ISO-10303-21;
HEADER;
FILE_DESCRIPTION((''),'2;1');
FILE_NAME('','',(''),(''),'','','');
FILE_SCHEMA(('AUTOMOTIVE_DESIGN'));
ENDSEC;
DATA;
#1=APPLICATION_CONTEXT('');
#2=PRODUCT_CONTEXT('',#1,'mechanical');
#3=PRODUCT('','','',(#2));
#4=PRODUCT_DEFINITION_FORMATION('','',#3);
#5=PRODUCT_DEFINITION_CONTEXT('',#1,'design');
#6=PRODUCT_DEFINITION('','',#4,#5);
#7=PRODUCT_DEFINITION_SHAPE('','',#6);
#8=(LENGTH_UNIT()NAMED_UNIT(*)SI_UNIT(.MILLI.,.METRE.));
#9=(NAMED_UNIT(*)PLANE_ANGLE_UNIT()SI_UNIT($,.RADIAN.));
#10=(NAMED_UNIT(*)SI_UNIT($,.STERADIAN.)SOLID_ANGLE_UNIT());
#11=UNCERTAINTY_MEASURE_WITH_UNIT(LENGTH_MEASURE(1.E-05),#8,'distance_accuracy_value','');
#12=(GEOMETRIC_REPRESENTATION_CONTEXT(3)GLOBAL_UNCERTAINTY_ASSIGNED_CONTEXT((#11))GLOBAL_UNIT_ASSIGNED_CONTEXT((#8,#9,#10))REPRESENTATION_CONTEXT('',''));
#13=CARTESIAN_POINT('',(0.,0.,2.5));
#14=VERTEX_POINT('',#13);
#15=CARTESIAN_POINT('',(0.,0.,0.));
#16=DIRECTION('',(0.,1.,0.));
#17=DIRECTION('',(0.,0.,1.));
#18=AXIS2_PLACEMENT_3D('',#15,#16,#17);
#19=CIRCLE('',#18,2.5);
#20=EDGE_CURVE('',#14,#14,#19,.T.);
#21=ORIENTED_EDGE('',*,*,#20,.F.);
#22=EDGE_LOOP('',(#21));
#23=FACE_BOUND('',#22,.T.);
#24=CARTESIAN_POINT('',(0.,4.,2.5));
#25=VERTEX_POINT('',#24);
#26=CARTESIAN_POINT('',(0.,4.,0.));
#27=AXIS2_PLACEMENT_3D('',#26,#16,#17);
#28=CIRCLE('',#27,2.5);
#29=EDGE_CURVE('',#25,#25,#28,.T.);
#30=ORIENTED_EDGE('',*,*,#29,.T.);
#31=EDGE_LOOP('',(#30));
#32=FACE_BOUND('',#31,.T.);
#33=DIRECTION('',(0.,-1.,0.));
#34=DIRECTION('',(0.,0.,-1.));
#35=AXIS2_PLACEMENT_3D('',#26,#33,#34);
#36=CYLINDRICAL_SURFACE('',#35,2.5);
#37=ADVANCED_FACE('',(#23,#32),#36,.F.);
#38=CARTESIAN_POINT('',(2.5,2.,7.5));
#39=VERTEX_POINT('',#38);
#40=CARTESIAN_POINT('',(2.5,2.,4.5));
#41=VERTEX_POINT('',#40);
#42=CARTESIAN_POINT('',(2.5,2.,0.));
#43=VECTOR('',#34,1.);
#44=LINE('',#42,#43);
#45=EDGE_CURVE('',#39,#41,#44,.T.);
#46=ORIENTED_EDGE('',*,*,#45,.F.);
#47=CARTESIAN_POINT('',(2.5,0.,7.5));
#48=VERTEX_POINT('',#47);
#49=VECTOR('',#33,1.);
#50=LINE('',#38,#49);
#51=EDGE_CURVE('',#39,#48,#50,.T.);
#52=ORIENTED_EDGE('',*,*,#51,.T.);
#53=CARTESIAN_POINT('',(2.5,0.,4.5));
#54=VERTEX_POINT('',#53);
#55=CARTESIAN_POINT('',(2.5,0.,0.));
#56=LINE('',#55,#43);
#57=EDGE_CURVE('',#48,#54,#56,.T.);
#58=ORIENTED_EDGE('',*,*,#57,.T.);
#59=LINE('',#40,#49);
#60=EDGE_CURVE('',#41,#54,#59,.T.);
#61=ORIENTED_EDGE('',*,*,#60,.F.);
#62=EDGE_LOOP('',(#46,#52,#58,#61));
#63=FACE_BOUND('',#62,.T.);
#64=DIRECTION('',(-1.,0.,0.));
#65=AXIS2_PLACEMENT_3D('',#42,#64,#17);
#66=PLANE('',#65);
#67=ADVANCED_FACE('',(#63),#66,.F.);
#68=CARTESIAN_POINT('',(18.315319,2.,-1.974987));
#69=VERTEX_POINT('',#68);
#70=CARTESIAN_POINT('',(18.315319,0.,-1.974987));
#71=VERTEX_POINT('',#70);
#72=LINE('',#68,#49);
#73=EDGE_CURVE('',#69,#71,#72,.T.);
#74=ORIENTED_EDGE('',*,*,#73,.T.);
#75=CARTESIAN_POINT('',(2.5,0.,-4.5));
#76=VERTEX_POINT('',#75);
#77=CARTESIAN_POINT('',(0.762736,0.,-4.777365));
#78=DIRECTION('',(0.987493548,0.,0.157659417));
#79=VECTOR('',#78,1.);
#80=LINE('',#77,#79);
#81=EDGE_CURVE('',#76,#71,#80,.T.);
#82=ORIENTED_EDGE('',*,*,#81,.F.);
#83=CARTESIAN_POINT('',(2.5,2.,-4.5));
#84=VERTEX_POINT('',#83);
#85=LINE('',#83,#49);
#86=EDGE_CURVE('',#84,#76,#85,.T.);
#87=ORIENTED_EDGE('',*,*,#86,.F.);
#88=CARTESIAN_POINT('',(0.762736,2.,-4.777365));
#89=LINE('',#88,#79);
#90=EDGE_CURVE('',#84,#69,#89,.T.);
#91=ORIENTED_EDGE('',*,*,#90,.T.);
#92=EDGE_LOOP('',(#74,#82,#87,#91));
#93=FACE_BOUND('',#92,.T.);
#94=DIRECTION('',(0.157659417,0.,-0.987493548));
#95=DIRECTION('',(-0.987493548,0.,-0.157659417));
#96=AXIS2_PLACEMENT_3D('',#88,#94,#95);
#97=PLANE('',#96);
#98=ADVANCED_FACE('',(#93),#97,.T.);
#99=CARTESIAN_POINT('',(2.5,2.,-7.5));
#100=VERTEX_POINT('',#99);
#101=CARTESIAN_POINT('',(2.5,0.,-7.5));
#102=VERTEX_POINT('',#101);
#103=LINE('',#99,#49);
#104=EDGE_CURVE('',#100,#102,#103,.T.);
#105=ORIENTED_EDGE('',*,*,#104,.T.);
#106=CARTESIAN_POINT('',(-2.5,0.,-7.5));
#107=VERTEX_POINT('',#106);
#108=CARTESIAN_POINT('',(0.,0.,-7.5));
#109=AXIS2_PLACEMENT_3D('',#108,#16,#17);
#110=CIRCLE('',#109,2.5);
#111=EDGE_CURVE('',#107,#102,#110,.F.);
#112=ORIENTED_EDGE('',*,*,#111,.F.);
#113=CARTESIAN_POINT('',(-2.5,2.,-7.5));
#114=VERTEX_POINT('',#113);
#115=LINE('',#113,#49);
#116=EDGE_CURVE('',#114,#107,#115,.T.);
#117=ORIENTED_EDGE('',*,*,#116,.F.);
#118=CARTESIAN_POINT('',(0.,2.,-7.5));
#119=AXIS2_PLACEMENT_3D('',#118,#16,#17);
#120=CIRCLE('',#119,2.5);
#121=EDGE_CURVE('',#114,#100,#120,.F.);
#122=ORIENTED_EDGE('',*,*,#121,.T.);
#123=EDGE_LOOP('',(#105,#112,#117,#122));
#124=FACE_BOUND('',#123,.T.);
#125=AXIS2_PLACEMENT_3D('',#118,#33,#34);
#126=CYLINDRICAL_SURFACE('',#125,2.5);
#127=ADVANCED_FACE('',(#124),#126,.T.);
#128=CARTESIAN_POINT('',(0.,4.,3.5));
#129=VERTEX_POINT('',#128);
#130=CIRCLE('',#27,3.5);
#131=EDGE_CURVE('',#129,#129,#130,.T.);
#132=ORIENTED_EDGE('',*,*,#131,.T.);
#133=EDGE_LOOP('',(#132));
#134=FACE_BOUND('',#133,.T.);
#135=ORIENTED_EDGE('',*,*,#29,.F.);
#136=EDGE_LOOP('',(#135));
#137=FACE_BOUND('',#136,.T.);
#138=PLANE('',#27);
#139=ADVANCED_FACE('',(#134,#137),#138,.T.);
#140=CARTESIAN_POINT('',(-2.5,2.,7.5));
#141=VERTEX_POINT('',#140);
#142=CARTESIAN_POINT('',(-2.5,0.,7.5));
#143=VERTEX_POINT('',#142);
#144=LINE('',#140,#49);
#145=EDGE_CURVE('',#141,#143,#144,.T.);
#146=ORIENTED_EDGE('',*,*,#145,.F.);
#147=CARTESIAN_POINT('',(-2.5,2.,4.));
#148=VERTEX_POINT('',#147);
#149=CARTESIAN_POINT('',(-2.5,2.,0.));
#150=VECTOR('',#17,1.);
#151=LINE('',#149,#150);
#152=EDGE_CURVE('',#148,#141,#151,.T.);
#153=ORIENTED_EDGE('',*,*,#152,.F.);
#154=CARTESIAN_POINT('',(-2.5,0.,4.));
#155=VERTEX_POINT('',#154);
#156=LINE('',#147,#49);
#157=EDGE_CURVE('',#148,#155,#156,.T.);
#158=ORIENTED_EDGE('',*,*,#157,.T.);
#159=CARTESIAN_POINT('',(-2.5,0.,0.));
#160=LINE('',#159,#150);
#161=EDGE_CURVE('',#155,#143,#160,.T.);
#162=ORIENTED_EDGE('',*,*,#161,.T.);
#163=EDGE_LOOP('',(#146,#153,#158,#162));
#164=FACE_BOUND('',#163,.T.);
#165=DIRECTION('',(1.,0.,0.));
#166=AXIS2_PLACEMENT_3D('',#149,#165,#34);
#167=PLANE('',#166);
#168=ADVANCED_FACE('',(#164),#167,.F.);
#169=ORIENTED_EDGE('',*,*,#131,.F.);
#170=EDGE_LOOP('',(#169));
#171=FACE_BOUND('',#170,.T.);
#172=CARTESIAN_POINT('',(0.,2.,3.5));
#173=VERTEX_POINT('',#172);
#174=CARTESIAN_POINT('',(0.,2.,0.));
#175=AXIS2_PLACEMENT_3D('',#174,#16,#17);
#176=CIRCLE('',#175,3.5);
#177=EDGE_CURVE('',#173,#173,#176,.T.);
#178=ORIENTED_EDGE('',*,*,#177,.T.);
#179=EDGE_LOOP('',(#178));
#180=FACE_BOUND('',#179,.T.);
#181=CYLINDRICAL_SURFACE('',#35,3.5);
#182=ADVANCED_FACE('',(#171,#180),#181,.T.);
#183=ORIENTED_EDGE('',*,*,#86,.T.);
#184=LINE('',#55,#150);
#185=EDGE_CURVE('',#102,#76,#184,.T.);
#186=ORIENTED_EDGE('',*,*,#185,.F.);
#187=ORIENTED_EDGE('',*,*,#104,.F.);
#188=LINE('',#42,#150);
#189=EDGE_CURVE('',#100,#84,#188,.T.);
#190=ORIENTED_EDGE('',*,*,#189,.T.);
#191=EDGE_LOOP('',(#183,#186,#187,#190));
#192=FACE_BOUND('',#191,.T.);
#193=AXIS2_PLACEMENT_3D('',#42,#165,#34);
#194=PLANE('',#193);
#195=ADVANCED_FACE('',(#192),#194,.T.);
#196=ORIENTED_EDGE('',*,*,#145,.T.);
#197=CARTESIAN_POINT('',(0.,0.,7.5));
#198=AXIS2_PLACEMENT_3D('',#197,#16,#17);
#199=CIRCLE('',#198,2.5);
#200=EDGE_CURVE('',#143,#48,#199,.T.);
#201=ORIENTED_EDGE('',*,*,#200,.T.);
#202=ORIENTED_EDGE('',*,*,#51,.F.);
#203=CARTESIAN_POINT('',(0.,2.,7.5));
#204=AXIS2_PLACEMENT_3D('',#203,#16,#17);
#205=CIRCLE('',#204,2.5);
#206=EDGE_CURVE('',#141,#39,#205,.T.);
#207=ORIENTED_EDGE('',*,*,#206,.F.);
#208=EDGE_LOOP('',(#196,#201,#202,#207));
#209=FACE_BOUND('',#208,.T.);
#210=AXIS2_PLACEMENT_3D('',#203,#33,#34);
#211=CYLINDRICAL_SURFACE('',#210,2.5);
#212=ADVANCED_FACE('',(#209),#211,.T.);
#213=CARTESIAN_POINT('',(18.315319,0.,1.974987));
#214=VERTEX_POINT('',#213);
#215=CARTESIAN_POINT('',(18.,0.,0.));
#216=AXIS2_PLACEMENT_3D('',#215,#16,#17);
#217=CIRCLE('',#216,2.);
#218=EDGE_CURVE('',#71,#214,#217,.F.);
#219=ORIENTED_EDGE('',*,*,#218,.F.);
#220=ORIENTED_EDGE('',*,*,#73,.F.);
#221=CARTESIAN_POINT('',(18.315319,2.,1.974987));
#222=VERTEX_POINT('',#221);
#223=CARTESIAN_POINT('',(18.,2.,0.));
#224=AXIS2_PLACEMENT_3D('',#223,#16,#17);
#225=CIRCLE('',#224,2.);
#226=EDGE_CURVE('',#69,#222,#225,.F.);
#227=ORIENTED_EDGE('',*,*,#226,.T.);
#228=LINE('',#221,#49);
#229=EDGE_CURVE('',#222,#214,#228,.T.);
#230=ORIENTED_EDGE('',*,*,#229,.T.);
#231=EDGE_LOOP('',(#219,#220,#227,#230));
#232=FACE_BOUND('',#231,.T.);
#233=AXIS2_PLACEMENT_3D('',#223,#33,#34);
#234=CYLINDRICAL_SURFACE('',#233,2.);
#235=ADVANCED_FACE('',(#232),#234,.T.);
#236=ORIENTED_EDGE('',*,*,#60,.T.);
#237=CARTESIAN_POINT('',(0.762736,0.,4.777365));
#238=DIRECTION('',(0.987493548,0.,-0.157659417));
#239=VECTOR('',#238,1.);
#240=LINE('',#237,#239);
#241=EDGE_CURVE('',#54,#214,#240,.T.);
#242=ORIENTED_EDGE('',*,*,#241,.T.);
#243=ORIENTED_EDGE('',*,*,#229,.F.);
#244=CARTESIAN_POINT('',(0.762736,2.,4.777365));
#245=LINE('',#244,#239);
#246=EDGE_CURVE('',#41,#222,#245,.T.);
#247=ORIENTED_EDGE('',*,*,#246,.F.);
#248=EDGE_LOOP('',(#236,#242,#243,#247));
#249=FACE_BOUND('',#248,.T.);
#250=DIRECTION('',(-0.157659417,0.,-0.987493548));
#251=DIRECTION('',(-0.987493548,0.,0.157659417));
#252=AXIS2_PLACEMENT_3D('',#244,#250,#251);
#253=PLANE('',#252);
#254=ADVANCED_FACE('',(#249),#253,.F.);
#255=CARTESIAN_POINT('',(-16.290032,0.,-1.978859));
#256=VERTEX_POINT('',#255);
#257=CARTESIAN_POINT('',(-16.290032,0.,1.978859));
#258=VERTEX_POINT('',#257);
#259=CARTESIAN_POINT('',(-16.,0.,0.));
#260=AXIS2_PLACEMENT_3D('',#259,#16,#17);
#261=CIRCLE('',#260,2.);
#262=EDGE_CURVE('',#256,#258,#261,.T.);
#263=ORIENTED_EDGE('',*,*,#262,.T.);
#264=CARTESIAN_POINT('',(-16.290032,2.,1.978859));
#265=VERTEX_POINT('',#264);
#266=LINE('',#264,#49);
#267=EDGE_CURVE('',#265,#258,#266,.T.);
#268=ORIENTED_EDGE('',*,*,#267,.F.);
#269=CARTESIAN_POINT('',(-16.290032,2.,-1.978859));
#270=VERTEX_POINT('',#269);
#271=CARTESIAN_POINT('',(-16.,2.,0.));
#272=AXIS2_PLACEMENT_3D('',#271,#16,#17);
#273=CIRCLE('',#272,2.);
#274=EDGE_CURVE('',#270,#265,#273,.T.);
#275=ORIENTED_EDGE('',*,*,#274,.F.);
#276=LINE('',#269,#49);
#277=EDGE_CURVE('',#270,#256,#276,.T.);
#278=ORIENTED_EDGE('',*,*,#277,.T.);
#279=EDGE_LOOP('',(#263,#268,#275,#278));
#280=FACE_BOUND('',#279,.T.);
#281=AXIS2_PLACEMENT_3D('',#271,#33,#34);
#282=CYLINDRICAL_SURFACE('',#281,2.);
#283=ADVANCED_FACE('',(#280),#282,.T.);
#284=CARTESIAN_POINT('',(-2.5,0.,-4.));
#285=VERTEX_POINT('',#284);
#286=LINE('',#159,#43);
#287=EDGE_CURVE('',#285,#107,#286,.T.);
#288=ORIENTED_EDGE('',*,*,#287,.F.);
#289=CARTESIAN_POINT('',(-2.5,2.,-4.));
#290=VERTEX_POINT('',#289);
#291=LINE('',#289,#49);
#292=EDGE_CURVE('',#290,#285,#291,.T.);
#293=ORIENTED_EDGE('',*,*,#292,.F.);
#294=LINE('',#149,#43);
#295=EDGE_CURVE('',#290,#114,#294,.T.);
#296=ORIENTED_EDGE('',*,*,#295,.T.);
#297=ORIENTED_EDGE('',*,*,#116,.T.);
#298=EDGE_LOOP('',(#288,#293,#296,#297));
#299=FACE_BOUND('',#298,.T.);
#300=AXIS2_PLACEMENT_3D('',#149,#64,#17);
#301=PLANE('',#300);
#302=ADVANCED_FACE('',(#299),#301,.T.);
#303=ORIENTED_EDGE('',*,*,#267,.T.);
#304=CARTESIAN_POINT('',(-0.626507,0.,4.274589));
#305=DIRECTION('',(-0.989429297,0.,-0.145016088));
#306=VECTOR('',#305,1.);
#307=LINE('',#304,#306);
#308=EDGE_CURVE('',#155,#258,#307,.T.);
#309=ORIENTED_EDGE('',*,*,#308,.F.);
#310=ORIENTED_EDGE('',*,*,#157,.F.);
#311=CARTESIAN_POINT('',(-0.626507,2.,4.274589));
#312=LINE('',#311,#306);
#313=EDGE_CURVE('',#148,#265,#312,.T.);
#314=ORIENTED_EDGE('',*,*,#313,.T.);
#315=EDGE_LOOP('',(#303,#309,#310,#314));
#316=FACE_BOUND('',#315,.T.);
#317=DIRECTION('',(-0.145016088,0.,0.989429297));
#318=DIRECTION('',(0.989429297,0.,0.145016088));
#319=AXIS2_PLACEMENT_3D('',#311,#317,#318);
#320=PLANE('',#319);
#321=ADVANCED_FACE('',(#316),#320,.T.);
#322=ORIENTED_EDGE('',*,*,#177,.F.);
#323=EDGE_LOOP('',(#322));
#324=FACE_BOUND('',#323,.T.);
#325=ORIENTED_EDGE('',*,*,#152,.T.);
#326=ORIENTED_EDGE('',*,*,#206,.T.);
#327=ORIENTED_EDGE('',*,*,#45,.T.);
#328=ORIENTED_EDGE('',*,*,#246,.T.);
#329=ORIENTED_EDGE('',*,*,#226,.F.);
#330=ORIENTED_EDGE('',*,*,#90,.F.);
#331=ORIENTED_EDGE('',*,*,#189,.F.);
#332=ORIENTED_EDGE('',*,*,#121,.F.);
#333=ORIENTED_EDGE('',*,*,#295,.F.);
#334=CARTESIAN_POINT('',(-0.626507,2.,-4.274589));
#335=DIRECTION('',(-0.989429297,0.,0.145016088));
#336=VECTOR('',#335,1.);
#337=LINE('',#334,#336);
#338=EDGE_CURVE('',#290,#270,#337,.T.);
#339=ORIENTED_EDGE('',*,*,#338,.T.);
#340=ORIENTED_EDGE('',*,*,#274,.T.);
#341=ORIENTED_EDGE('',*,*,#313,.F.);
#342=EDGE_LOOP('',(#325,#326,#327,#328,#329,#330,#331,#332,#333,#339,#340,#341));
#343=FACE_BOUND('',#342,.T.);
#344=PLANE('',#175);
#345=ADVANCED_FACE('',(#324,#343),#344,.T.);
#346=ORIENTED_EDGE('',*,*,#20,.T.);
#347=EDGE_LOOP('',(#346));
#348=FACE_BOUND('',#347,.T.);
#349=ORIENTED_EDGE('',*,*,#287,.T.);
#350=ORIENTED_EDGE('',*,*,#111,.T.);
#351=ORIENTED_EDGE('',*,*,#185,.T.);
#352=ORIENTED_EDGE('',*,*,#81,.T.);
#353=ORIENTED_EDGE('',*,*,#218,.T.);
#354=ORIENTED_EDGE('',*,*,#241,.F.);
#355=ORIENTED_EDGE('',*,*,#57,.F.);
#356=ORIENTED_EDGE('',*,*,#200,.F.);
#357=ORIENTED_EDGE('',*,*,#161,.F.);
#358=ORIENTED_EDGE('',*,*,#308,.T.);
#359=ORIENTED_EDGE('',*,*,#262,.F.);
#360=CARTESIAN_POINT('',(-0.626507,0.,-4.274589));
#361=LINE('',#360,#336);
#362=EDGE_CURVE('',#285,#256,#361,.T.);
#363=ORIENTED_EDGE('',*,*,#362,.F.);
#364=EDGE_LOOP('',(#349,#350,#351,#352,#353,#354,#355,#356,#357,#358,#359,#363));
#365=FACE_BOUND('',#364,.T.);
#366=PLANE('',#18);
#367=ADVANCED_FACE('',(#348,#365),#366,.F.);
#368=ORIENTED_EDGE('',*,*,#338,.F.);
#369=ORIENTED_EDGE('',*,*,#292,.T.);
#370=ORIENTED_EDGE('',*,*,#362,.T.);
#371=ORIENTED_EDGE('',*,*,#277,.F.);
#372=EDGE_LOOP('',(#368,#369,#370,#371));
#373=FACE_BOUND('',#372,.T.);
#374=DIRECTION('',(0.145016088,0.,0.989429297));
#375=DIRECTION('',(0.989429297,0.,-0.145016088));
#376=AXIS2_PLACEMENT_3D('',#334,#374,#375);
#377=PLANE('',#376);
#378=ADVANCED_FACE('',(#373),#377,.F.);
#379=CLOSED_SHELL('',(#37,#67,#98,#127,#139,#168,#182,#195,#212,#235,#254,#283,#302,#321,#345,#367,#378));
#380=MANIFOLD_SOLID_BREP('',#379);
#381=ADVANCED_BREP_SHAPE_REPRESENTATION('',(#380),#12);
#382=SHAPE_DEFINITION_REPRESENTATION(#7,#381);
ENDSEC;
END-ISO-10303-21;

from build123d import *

# Parameters (mm, degrees)
SKETCH1_R           = 3.5
SKETCH1_R_2         = 2.5
BOSS_EXTRUDE1_DEPTH = 4
BOSS_EXTRUDE2_DEPTH = 2


with BuildPart() as part:
    # Sketch1 → Boss-Extrude1 (new body)
    with BuildSketch(Plane(origin=(0, 0, 0), x_dir=(1, 0, 0), z_dir=(0, 1, 0))):
        with Locations(Location((0, 0, 0), (0, 0, 270))):
            Circle(SKETCH1_R)
        with Locations(Location((0, 0, 0), (0, 0, 270))):
            Circle(SKETCH1_R_2, mode=Mode.SUBTRACT)
    extrude(amount=BOSS_EXTRUDE1_DEPTH)

    # Sketch2 → Boss-Extrude2 (add)
    with BuildSketch(Plane(origin=(0, 0, 0), x_dir=(1, 0, 0), z_dir=(0, 1, 0))):
        with BuildLine():
            Line((-2.5, 2.449489743), (-2.5, 7.5))
            ThreePointArc((-2.5, 7.5), (0, 10), (2.5, 7.5))
            Line((2.5, 7.5), (2.5, 2.449489743))
            ThreePointArc((2.5, 2.449489743), (0, 3.5), (-2.5, 2.449489743))
        make_face()
        with BuildLine():
            Line((2.5, 4.5), (2.5, 0))
            Line((2.5, 0), (2.5, -4.5))
            Line((2.5, -4.5), (18.315318835, -1.974987097))
            ThreePointArc((18.315318835, -1.974987097), (20, 0), (18.315318835, 1.974987097))
            Line((18.315318835, 1.974987097), (2.5, 4.5))
        make_face()
        with BuildLine():
            Line((-2.5, -2.449489743), (-2.5, -7.5))
            ThreePointArc((-2.5, -7.5), (0, -10), (2.5, -7.5))
            Line((2.5, -7.5), (2.5, -2.449489743))
            ThreePointArc((2.5, -2.449489743), (0, -3.5), (-2.5, -2.449489743))
        make_face()
        with BuildLine():
            Line((-2.5, -4), (-2.5, 0))
            Line((-2.5, 0), (-2.5, 4))
            Line((-2.5, 4), (-16.290032176, 1.978858594))
            ThreePointArc((-16.290032176, 1.978858594), (-18, 0), (-16.290032176, -1.978858594))
            Line((-16.290032176, -1.978858594), (-2.5, -4))
        make_face()
    extrude(amount=BOSS_EXTRUDE2_DEPTH)


solid = part.part
